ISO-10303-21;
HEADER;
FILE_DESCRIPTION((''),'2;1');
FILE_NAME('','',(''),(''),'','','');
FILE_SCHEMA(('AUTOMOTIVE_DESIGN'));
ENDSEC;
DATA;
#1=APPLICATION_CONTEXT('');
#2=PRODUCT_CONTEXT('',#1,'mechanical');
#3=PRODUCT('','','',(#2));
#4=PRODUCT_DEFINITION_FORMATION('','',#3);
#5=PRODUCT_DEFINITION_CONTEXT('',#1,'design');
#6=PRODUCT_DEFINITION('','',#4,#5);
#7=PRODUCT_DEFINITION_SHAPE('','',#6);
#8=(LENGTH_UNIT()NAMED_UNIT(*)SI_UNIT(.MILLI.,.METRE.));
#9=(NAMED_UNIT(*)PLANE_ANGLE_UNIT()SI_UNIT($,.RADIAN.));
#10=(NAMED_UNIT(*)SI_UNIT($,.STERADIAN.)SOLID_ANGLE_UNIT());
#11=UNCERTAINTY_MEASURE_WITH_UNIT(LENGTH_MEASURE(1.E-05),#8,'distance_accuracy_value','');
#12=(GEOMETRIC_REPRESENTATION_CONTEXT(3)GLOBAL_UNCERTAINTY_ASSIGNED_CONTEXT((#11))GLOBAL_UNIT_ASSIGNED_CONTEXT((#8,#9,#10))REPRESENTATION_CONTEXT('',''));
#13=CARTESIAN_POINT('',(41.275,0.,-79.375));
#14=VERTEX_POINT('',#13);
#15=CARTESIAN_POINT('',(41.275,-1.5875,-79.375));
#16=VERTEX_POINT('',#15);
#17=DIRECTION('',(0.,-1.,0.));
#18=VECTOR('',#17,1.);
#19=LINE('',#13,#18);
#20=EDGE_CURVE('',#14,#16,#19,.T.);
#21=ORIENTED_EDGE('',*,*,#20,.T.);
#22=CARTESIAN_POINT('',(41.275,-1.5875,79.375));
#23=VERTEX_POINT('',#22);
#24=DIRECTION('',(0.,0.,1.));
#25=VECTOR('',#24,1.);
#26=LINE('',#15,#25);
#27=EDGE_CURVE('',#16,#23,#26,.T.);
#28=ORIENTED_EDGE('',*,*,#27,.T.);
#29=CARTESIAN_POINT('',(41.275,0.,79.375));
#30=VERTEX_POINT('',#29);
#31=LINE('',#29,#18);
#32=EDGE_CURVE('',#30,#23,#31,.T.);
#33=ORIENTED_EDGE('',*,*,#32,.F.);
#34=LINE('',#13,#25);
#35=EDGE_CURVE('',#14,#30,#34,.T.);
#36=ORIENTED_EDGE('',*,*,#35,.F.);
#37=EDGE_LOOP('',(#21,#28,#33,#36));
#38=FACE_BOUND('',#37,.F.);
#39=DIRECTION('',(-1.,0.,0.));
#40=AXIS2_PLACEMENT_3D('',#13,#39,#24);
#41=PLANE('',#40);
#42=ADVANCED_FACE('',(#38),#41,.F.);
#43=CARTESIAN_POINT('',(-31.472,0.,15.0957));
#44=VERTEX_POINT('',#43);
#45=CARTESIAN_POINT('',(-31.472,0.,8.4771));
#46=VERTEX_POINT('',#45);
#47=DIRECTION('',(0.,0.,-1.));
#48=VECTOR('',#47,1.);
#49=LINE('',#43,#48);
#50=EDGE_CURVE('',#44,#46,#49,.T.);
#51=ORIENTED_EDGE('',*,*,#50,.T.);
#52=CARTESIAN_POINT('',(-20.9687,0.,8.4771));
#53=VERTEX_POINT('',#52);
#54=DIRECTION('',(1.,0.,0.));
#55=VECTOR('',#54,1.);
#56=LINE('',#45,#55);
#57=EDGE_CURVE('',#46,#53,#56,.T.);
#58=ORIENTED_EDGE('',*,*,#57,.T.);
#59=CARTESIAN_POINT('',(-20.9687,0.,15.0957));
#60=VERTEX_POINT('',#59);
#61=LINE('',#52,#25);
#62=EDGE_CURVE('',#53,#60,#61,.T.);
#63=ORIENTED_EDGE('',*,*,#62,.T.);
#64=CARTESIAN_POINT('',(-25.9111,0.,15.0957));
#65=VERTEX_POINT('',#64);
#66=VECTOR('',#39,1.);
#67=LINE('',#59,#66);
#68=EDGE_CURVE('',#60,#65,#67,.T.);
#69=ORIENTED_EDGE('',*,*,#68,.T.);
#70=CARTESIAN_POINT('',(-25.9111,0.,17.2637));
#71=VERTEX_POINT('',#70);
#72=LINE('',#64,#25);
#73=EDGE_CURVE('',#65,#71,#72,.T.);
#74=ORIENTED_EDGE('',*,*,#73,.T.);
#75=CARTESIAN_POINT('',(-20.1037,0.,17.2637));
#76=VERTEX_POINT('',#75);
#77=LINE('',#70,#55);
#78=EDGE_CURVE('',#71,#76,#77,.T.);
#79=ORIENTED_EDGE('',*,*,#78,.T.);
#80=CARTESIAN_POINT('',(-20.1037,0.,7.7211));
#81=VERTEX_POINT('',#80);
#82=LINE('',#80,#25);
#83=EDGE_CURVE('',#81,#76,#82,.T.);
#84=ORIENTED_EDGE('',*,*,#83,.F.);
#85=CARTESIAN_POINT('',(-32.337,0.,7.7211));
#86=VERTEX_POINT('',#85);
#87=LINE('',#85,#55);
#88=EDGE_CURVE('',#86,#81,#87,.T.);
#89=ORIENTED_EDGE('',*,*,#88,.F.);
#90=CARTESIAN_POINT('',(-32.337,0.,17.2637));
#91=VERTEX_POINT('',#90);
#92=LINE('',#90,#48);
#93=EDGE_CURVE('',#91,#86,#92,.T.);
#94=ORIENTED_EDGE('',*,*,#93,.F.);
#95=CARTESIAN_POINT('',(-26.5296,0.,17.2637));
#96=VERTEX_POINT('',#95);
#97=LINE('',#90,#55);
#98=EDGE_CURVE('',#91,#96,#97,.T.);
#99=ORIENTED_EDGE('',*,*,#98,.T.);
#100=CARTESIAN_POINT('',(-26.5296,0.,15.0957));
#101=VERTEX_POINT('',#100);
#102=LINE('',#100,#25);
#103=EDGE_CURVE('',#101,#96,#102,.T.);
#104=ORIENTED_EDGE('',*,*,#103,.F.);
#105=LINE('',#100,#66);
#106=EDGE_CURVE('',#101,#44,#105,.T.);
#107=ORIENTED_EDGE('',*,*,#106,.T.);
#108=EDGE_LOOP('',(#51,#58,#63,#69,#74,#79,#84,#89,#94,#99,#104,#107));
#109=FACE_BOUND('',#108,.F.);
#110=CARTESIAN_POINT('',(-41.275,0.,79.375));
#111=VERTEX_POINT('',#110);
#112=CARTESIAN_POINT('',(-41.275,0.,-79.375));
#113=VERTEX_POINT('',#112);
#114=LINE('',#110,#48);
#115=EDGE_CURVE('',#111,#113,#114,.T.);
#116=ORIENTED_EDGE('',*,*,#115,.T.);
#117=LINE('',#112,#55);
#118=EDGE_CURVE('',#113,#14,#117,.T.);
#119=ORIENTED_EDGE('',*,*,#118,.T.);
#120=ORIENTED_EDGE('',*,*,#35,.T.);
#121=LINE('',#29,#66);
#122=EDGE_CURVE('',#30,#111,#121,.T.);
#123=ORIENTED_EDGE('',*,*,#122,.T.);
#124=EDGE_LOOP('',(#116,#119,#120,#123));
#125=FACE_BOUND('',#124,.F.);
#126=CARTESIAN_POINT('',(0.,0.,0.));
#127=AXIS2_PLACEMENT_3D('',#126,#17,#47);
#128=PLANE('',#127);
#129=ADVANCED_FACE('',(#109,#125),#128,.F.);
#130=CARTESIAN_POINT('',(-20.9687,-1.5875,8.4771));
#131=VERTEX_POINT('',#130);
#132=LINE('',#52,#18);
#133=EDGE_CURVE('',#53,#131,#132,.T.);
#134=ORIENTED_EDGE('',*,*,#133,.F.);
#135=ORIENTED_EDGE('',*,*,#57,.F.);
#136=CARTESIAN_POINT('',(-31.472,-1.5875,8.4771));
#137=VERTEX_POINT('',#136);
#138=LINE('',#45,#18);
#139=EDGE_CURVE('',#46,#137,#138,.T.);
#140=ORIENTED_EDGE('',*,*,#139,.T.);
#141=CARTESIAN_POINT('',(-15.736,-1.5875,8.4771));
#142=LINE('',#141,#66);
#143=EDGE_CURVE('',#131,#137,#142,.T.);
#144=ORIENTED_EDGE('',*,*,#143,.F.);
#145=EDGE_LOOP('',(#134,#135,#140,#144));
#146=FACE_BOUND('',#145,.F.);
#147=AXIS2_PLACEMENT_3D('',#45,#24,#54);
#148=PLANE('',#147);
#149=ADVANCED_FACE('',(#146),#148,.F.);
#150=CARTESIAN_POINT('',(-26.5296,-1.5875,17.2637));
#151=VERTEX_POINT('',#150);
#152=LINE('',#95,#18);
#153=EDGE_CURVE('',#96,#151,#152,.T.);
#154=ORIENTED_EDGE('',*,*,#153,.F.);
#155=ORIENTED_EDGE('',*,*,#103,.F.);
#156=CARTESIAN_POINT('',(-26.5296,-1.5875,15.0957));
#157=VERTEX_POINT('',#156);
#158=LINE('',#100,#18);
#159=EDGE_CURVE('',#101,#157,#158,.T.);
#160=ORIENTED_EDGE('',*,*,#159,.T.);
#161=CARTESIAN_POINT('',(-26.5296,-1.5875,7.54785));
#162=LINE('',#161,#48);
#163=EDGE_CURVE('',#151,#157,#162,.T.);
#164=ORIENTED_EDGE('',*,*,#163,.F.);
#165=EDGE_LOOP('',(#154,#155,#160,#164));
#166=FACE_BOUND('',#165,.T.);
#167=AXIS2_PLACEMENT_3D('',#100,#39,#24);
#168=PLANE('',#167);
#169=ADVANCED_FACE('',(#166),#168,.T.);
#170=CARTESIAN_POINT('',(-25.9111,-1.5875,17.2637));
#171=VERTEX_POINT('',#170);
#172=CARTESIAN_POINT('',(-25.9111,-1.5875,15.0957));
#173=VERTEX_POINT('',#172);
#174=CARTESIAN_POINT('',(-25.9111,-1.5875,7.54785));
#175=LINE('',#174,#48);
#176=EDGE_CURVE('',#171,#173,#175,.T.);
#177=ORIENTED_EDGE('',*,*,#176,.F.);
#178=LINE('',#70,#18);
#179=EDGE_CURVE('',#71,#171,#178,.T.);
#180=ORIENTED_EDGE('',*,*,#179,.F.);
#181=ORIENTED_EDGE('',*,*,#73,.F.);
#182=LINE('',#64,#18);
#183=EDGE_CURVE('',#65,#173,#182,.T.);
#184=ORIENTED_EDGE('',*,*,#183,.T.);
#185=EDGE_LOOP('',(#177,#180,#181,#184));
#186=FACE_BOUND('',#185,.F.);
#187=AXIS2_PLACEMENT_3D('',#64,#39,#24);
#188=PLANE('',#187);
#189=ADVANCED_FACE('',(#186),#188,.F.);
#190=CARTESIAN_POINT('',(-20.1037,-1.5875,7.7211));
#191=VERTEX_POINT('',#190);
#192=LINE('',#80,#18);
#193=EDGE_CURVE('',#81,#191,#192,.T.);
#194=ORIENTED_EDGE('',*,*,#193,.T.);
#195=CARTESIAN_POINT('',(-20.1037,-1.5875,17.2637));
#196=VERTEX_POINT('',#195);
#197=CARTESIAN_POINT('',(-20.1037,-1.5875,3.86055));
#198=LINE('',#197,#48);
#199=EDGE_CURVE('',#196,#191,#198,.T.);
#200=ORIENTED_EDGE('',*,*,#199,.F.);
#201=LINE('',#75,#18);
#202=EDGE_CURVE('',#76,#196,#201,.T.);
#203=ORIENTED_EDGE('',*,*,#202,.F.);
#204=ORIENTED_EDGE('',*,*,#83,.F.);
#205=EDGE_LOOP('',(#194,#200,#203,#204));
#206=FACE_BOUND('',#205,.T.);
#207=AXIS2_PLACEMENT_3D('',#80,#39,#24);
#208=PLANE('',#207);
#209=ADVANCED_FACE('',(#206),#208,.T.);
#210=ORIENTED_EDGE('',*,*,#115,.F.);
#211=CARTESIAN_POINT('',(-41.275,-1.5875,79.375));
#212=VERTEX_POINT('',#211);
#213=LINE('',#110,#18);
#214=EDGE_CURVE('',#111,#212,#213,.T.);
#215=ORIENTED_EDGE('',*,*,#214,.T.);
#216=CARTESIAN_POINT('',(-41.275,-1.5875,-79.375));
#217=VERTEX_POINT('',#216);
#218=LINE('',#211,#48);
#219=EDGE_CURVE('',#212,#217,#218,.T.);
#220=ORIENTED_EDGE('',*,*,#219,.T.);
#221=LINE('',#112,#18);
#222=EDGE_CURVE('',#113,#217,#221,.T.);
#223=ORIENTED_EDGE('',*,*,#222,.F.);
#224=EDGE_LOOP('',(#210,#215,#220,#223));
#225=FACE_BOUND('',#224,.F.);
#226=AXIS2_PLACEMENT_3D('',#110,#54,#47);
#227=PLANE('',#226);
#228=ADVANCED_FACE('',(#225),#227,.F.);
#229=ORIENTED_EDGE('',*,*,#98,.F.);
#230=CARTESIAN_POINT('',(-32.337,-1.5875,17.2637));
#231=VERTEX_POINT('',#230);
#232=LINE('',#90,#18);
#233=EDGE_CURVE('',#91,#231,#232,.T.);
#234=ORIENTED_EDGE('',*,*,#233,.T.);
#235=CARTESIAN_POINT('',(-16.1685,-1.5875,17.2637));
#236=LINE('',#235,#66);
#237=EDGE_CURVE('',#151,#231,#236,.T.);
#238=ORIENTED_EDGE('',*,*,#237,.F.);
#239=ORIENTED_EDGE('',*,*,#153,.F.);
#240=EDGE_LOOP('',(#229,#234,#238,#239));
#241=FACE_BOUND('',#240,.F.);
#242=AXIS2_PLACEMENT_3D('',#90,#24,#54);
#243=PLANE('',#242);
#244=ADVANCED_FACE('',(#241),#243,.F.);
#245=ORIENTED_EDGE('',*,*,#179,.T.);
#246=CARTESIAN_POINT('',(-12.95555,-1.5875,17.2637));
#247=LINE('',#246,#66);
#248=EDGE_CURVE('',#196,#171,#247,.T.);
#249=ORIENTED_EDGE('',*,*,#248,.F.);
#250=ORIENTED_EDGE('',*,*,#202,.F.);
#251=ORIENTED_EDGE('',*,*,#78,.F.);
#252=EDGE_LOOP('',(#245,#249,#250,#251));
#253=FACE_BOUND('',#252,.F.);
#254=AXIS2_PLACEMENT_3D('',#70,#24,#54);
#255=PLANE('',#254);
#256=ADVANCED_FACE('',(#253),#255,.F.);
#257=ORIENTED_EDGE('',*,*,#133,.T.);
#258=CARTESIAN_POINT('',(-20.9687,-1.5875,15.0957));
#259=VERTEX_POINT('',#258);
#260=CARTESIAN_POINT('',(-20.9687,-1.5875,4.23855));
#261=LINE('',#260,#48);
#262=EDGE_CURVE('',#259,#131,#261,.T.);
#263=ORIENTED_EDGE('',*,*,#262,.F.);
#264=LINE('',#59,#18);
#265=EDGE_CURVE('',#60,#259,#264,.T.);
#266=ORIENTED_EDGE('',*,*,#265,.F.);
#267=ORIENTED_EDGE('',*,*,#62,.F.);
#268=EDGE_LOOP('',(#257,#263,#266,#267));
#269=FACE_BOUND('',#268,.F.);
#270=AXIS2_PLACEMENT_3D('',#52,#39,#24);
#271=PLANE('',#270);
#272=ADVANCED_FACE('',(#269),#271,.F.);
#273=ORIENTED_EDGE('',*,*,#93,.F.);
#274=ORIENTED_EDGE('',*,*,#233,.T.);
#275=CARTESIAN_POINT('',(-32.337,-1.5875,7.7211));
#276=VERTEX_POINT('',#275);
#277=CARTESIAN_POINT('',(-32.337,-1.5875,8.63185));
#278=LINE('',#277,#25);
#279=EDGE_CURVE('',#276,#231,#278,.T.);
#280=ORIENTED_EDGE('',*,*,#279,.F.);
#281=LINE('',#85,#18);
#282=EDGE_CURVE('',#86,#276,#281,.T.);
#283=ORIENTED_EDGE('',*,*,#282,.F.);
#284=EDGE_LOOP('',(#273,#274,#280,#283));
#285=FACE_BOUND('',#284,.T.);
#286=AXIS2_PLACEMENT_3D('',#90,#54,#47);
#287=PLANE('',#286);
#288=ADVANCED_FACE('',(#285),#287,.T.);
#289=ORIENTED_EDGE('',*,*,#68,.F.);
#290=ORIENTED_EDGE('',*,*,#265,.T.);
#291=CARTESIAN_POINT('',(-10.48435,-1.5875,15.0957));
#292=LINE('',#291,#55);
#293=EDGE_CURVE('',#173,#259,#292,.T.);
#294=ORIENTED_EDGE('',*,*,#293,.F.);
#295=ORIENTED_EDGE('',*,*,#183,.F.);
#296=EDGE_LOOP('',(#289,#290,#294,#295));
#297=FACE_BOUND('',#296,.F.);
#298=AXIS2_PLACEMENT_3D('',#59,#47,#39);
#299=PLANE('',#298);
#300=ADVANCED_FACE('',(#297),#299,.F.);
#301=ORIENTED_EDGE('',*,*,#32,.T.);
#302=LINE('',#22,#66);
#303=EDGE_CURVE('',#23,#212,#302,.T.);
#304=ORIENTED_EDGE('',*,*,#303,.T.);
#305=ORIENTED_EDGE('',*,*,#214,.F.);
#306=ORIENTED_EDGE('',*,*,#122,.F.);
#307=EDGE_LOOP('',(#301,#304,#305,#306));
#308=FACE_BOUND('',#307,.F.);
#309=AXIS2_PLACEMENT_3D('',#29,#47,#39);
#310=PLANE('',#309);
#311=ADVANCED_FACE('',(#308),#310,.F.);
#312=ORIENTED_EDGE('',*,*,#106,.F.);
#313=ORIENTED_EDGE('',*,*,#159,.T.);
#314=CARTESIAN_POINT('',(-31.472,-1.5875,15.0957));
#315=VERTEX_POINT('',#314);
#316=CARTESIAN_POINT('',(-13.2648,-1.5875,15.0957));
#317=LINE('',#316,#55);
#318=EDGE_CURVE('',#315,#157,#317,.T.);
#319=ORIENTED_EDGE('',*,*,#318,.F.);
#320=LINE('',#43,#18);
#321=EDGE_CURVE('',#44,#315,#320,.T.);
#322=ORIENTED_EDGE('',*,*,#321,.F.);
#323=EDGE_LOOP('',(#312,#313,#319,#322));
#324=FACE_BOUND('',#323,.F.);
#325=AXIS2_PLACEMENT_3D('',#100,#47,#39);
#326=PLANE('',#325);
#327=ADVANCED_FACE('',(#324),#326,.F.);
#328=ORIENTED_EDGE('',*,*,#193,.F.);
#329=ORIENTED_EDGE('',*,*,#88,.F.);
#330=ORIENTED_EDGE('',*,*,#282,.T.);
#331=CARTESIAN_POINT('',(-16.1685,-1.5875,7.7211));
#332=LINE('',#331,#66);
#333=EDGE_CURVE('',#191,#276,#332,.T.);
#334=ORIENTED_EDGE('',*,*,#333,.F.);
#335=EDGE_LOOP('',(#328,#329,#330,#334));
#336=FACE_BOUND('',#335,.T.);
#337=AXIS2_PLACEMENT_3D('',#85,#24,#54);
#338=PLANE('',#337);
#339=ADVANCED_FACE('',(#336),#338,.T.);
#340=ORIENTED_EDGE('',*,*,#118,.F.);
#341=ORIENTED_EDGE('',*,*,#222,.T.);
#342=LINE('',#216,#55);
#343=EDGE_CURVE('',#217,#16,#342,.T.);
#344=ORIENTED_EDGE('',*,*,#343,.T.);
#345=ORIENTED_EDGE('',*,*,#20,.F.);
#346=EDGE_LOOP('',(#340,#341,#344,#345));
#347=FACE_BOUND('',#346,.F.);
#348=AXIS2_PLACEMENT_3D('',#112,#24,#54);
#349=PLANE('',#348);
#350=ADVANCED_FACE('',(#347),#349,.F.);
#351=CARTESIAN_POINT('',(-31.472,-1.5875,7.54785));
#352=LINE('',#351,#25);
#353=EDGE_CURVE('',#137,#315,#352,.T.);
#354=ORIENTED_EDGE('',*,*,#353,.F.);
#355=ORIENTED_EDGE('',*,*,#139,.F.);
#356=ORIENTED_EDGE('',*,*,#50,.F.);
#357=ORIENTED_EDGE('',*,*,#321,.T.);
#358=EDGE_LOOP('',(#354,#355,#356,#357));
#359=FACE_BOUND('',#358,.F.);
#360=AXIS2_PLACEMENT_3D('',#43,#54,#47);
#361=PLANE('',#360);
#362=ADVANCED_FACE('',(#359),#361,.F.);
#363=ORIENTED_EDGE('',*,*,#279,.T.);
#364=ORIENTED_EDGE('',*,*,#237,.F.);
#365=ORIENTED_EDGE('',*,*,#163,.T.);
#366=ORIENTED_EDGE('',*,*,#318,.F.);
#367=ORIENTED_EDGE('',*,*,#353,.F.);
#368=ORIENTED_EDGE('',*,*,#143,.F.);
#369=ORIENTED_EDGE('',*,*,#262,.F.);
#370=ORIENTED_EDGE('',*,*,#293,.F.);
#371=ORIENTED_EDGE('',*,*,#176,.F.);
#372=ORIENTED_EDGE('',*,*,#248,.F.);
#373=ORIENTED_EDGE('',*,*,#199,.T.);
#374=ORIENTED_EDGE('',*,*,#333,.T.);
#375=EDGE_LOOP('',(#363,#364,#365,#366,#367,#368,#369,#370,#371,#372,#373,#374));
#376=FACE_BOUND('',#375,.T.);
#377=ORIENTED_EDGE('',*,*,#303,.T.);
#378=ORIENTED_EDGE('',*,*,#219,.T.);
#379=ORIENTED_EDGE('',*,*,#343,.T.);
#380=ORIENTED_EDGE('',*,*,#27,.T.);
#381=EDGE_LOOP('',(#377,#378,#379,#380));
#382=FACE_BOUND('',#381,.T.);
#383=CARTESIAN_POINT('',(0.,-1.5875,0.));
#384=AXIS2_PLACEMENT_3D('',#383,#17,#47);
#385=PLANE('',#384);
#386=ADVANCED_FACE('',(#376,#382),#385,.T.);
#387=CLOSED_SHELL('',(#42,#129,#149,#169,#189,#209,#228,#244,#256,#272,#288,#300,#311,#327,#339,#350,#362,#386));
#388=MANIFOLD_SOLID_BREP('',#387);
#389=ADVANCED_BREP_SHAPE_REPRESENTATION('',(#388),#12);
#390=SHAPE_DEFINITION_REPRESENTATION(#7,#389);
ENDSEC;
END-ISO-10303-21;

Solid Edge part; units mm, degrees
sketch "Sketch1" plane through (0, 0, 0) normal (0, -1, 0) x (1, 0, 0)
  line L0 (41.275, -79.375) -> (41.275, 79.375)
  line L1 (41.275, 79.375) -> (-41.275, 79.375)
  line L2 (-41.275, 79.375) -> (-41.275, -79.375)
  line L3 (-41.275, -79.375) -> (41.275, -79.375)
extrude "Protrusion1" add sketch "Sketch1" along normal blind 1.5875
sketch "Sketch2" plane through (0, 0, 0) normal (0, -1, 0) x (1, 0, 0)
  line L0 (-25.9111, 15.0957) -> (-25.9111, 17.2637)
  line L1 (-25.9111, 17.2637) -> (-20.1037, 17.2637)
  line L2 (-20.1037, 7.7211) -> (-20.1037, 17.2637)
  line L3 (-32.337, 7.7211) -> (-20.1037, 7.7211)
  line L4 (-32.337, 17.2637) -> (-32.337, 7.7211)
  line L5 (-32.337, 17.2637) -> (-26.5296, 17.2637)
  line L6 (-26.5296, 15.0957) -> (-26.5296, 17.2637)
  line L7 (-26.5296, 15.0957) -> (-31.472, 15.0957)
  line L8 (-31.472, 15.0957) -> (-31.472, 8.4771)
  line L9 (-31.472, 8.4771) -> (-20.9687, 8.4771)
  line L10 (-20.9687, 8.4771) -> (-20.9687, 15.0957)
  line L11 (-20.9687, 15.0957) -> (-25.9111, 15.0957)
extrude "Cutout1" cut sketch "Sketch2" along normal through all
